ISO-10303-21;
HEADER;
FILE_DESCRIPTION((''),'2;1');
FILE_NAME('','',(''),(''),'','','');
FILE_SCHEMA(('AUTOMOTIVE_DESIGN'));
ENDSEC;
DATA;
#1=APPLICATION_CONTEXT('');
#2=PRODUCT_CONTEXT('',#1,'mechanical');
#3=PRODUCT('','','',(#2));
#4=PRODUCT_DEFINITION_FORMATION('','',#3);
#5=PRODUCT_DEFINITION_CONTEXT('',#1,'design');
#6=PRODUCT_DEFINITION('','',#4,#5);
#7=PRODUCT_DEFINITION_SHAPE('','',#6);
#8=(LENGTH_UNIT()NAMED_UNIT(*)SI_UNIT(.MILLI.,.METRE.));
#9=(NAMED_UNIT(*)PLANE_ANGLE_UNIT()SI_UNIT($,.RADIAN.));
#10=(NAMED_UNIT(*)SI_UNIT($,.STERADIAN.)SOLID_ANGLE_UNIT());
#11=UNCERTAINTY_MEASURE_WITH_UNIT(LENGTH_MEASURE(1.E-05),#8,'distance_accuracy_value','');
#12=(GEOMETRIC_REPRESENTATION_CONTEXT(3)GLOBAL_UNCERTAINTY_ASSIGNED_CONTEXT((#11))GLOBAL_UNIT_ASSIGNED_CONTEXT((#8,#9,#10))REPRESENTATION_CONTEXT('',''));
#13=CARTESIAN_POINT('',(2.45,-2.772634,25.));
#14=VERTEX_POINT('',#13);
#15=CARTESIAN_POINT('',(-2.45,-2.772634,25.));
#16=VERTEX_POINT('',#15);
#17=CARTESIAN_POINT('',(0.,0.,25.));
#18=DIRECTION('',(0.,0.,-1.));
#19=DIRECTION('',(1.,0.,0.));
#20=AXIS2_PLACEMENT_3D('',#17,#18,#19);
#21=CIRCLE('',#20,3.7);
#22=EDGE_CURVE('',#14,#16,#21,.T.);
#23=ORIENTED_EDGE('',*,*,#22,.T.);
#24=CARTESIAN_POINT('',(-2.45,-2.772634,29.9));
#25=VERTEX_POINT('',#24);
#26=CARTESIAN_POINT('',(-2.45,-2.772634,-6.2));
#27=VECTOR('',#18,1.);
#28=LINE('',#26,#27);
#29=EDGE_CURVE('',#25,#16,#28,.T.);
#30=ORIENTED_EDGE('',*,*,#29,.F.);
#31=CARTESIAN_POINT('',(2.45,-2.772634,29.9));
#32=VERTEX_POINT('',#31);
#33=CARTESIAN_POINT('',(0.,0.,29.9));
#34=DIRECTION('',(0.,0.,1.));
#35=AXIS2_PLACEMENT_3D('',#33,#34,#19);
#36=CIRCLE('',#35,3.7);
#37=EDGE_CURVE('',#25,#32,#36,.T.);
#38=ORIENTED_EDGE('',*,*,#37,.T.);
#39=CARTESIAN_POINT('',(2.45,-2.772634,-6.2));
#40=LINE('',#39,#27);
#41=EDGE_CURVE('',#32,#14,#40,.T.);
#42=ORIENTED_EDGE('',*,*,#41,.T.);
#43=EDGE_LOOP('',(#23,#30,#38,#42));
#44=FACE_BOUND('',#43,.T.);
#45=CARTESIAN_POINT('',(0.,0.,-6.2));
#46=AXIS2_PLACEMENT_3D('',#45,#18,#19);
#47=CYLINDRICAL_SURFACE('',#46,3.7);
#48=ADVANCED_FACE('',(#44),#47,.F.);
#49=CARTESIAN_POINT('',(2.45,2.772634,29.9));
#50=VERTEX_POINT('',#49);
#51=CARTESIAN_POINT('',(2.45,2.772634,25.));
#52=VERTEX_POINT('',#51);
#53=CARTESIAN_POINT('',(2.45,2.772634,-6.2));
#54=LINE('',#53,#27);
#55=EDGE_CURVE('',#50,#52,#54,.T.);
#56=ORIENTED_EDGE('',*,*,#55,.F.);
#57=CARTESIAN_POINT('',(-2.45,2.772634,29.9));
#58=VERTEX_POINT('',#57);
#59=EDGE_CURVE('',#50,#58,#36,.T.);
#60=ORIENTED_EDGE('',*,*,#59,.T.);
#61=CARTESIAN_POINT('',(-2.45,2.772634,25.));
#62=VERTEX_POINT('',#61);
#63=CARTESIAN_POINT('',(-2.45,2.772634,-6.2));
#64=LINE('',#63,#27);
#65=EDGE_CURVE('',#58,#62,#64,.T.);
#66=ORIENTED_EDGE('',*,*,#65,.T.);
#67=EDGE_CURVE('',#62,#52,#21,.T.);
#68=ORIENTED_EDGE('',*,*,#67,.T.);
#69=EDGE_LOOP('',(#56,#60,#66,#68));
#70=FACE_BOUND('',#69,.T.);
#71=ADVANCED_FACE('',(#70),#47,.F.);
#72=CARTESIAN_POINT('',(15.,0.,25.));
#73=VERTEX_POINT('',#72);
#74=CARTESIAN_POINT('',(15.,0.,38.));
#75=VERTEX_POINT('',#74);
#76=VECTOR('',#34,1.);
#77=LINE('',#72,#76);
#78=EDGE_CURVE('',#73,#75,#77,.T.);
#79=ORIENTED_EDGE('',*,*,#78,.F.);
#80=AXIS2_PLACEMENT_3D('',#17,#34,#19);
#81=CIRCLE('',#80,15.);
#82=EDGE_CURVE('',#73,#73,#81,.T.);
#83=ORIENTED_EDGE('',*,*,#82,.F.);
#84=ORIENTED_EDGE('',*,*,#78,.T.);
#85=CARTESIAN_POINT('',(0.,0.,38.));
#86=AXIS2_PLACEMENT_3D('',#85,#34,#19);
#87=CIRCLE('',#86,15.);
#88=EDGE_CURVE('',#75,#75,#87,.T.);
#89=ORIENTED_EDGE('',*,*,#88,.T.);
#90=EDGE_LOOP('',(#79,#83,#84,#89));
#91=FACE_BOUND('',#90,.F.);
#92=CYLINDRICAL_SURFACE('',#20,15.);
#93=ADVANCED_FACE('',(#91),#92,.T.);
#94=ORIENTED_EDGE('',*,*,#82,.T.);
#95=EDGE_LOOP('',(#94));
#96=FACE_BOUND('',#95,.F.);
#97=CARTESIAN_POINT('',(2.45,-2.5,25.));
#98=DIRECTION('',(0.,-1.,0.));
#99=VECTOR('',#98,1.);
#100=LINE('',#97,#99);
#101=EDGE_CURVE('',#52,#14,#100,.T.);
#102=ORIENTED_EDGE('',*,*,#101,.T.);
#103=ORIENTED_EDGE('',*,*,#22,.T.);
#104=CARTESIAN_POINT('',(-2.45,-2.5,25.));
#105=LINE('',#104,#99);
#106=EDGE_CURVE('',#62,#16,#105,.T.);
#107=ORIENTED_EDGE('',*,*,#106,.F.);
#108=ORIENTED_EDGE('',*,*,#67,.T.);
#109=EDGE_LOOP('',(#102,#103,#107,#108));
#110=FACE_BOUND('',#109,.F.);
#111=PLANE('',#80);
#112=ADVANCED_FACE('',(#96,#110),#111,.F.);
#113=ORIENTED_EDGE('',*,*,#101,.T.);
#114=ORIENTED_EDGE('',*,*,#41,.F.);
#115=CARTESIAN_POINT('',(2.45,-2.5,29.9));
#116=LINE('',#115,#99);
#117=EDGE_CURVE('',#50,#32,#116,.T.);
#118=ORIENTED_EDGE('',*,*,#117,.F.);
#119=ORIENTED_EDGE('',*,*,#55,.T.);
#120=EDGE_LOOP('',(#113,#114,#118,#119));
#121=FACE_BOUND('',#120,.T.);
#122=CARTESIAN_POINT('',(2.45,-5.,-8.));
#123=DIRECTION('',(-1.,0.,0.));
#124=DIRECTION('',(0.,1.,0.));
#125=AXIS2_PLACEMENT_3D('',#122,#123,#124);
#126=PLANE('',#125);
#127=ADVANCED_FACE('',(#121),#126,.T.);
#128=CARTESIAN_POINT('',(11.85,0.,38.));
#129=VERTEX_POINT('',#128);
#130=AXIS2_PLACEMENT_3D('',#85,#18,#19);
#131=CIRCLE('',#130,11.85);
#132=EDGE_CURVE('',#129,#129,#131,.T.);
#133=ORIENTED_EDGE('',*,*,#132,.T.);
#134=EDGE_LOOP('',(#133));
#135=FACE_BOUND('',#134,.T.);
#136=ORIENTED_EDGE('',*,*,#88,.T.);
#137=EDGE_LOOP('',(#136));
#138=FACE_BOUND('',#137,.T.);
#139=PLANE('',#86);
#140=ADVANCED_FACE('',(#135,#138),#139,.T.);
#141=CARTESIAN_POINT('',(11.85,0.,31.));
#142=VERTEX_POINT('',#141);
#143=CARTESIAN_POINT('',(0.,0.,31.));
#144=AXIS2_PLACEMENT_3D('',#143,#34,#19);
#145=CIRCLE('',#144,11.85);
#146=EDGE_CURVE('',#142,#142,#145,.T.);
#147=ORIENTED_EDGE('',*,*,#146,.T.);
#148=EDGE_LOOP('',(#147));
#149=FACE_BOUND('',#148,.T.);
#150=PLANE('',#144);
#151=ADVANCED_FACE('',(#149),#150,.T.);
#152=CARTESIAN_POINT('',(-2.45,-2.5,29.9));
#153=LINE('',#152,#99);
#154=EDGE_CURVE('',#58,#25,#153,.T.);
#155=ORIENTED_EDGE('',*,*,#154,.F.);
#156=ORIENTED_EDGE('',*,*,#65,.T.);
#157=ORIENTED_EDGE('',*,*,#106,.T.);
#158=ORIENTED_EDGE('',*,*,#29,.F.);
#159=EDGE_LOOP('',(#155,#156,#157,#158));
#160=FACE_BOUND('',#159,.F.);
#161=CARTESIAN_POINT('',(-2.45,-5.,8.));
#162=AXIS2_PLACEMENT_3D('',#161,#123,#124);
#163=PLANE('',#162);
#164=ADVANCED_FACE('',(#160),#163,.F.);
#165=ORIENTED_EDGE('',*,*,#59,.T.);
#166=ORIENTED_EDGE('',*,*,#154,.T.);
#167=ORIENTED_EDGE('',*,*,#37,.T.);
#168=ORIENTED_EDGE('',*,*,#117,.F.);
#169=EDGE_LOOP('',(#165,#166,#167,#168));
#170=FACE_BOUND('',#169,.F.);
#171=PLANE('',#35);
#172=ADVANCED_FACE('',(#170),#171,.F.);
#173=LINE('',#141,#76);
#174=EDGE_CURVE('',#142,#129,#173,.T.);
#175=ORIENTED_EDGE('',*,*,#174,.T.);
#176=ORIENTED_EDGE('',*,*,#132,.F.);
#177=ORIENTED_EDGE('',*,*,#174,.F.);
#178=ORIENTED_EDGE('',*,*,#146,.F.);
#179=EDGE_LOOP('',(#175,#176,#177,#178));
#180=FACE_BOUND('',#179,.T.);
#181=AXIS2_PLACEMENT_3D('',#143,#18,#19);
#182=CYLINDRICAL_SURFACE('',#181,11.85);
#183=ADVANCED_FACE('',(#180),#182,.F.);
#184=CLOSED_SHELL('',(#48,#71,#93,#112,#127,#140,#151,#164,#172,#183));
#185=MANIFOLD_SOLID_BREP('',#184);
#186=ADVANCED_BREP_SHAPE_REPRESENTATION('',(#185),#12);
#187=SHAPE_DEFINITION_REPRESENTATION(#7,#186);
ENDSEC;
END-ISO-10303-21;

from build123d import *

# Parameters (mm, degrees)
BOX005_W          = 10
BOX005_H          = 10
BOX005_DEPTH      = 40
BOX004_W          = 10
BOX004_H          = 10
BOX004_DEPTH      = 40
CYLINDER011_R     = 3.7
CYLINDER011_DEPTH = 36.1
CYLINDER013_R     = 11.85
CYLINDER013_DEPTH = 100
CYLINDER012_R     = 15
CYLINDER012_DEPTH = 13


with BuildPart() as cube005:
    # Box005 → Box005 (new body)
    with BuildSketch(Plane(origin=(-1.85, -5, 5), x_dir=(1, 0, 0), z_dir=(0, 0, 1))):
        with Locations((5, 5)):
            Rectangle(BOX005_W, BOX005_H)
    extrude(amount=BOX005_DEPTH)


with BuildPart() as cube004:
    # Box004 → Box004 (new body)
    with BuildSketch(Plane(origin=(13.05, -5, -11), x_dir=(1, 0, 0), z_dir=(0, 0, 1))):
        with Locations((5, 5)):
            Rectangle(BOX004_W, BOX004_H)
    extrude(amount=BOX004_DEPTH)


with BuildPart() as drive001:
    # Cylinder011 → Cylinder011 (new body)
    with BuildSketch(Plane(origin=(10.6, 0, -9.2), x_dir=(1, 0, 0), z_dir=(0, 0, 1))):
        Circle(CYLINDER011_R)
    extrude(amount=CYLINDER011_DEPTH)

    # Cut005: cut Cube004
    add(cube004.part, mode=Mode.SUBTRACT)

    # Cut055: cut Cube005
    add(cube005.part, mode=Mode.SUBTRACT)


with BuildPart() as drive001_1:
    # Cut055 placement: moved
    add(drive001.part.moved(Location((-10.6, 0, 3))))


with BuildPart() as cylinder006:
    # Cylinder013 → Cylinder013 (new body)
    with BuildSketch(Plane.XY.offset(31)):
        Circle(CYLINDER013_R)
    extrude(amount=CYLINDER013_DEPTH)


with BuildPart() as winder_end_motor:
    # Cylinder012 → Cylinder012 (new body)
    with BuildSketch(Plane.XY.offset(25)):
        Circle(CYLINDER012_R)
    extrude(amount=CYLINDER012_DEPTH)

    # Cut054: cut Cylinder006
    add(cylinder006.part, mode=Mode.SUBTRACT)

    # Cut056: cut drive001
    add(drive001_1.part, mode=Mode.SUBTRACT)


solid = winder_end_motor.part
